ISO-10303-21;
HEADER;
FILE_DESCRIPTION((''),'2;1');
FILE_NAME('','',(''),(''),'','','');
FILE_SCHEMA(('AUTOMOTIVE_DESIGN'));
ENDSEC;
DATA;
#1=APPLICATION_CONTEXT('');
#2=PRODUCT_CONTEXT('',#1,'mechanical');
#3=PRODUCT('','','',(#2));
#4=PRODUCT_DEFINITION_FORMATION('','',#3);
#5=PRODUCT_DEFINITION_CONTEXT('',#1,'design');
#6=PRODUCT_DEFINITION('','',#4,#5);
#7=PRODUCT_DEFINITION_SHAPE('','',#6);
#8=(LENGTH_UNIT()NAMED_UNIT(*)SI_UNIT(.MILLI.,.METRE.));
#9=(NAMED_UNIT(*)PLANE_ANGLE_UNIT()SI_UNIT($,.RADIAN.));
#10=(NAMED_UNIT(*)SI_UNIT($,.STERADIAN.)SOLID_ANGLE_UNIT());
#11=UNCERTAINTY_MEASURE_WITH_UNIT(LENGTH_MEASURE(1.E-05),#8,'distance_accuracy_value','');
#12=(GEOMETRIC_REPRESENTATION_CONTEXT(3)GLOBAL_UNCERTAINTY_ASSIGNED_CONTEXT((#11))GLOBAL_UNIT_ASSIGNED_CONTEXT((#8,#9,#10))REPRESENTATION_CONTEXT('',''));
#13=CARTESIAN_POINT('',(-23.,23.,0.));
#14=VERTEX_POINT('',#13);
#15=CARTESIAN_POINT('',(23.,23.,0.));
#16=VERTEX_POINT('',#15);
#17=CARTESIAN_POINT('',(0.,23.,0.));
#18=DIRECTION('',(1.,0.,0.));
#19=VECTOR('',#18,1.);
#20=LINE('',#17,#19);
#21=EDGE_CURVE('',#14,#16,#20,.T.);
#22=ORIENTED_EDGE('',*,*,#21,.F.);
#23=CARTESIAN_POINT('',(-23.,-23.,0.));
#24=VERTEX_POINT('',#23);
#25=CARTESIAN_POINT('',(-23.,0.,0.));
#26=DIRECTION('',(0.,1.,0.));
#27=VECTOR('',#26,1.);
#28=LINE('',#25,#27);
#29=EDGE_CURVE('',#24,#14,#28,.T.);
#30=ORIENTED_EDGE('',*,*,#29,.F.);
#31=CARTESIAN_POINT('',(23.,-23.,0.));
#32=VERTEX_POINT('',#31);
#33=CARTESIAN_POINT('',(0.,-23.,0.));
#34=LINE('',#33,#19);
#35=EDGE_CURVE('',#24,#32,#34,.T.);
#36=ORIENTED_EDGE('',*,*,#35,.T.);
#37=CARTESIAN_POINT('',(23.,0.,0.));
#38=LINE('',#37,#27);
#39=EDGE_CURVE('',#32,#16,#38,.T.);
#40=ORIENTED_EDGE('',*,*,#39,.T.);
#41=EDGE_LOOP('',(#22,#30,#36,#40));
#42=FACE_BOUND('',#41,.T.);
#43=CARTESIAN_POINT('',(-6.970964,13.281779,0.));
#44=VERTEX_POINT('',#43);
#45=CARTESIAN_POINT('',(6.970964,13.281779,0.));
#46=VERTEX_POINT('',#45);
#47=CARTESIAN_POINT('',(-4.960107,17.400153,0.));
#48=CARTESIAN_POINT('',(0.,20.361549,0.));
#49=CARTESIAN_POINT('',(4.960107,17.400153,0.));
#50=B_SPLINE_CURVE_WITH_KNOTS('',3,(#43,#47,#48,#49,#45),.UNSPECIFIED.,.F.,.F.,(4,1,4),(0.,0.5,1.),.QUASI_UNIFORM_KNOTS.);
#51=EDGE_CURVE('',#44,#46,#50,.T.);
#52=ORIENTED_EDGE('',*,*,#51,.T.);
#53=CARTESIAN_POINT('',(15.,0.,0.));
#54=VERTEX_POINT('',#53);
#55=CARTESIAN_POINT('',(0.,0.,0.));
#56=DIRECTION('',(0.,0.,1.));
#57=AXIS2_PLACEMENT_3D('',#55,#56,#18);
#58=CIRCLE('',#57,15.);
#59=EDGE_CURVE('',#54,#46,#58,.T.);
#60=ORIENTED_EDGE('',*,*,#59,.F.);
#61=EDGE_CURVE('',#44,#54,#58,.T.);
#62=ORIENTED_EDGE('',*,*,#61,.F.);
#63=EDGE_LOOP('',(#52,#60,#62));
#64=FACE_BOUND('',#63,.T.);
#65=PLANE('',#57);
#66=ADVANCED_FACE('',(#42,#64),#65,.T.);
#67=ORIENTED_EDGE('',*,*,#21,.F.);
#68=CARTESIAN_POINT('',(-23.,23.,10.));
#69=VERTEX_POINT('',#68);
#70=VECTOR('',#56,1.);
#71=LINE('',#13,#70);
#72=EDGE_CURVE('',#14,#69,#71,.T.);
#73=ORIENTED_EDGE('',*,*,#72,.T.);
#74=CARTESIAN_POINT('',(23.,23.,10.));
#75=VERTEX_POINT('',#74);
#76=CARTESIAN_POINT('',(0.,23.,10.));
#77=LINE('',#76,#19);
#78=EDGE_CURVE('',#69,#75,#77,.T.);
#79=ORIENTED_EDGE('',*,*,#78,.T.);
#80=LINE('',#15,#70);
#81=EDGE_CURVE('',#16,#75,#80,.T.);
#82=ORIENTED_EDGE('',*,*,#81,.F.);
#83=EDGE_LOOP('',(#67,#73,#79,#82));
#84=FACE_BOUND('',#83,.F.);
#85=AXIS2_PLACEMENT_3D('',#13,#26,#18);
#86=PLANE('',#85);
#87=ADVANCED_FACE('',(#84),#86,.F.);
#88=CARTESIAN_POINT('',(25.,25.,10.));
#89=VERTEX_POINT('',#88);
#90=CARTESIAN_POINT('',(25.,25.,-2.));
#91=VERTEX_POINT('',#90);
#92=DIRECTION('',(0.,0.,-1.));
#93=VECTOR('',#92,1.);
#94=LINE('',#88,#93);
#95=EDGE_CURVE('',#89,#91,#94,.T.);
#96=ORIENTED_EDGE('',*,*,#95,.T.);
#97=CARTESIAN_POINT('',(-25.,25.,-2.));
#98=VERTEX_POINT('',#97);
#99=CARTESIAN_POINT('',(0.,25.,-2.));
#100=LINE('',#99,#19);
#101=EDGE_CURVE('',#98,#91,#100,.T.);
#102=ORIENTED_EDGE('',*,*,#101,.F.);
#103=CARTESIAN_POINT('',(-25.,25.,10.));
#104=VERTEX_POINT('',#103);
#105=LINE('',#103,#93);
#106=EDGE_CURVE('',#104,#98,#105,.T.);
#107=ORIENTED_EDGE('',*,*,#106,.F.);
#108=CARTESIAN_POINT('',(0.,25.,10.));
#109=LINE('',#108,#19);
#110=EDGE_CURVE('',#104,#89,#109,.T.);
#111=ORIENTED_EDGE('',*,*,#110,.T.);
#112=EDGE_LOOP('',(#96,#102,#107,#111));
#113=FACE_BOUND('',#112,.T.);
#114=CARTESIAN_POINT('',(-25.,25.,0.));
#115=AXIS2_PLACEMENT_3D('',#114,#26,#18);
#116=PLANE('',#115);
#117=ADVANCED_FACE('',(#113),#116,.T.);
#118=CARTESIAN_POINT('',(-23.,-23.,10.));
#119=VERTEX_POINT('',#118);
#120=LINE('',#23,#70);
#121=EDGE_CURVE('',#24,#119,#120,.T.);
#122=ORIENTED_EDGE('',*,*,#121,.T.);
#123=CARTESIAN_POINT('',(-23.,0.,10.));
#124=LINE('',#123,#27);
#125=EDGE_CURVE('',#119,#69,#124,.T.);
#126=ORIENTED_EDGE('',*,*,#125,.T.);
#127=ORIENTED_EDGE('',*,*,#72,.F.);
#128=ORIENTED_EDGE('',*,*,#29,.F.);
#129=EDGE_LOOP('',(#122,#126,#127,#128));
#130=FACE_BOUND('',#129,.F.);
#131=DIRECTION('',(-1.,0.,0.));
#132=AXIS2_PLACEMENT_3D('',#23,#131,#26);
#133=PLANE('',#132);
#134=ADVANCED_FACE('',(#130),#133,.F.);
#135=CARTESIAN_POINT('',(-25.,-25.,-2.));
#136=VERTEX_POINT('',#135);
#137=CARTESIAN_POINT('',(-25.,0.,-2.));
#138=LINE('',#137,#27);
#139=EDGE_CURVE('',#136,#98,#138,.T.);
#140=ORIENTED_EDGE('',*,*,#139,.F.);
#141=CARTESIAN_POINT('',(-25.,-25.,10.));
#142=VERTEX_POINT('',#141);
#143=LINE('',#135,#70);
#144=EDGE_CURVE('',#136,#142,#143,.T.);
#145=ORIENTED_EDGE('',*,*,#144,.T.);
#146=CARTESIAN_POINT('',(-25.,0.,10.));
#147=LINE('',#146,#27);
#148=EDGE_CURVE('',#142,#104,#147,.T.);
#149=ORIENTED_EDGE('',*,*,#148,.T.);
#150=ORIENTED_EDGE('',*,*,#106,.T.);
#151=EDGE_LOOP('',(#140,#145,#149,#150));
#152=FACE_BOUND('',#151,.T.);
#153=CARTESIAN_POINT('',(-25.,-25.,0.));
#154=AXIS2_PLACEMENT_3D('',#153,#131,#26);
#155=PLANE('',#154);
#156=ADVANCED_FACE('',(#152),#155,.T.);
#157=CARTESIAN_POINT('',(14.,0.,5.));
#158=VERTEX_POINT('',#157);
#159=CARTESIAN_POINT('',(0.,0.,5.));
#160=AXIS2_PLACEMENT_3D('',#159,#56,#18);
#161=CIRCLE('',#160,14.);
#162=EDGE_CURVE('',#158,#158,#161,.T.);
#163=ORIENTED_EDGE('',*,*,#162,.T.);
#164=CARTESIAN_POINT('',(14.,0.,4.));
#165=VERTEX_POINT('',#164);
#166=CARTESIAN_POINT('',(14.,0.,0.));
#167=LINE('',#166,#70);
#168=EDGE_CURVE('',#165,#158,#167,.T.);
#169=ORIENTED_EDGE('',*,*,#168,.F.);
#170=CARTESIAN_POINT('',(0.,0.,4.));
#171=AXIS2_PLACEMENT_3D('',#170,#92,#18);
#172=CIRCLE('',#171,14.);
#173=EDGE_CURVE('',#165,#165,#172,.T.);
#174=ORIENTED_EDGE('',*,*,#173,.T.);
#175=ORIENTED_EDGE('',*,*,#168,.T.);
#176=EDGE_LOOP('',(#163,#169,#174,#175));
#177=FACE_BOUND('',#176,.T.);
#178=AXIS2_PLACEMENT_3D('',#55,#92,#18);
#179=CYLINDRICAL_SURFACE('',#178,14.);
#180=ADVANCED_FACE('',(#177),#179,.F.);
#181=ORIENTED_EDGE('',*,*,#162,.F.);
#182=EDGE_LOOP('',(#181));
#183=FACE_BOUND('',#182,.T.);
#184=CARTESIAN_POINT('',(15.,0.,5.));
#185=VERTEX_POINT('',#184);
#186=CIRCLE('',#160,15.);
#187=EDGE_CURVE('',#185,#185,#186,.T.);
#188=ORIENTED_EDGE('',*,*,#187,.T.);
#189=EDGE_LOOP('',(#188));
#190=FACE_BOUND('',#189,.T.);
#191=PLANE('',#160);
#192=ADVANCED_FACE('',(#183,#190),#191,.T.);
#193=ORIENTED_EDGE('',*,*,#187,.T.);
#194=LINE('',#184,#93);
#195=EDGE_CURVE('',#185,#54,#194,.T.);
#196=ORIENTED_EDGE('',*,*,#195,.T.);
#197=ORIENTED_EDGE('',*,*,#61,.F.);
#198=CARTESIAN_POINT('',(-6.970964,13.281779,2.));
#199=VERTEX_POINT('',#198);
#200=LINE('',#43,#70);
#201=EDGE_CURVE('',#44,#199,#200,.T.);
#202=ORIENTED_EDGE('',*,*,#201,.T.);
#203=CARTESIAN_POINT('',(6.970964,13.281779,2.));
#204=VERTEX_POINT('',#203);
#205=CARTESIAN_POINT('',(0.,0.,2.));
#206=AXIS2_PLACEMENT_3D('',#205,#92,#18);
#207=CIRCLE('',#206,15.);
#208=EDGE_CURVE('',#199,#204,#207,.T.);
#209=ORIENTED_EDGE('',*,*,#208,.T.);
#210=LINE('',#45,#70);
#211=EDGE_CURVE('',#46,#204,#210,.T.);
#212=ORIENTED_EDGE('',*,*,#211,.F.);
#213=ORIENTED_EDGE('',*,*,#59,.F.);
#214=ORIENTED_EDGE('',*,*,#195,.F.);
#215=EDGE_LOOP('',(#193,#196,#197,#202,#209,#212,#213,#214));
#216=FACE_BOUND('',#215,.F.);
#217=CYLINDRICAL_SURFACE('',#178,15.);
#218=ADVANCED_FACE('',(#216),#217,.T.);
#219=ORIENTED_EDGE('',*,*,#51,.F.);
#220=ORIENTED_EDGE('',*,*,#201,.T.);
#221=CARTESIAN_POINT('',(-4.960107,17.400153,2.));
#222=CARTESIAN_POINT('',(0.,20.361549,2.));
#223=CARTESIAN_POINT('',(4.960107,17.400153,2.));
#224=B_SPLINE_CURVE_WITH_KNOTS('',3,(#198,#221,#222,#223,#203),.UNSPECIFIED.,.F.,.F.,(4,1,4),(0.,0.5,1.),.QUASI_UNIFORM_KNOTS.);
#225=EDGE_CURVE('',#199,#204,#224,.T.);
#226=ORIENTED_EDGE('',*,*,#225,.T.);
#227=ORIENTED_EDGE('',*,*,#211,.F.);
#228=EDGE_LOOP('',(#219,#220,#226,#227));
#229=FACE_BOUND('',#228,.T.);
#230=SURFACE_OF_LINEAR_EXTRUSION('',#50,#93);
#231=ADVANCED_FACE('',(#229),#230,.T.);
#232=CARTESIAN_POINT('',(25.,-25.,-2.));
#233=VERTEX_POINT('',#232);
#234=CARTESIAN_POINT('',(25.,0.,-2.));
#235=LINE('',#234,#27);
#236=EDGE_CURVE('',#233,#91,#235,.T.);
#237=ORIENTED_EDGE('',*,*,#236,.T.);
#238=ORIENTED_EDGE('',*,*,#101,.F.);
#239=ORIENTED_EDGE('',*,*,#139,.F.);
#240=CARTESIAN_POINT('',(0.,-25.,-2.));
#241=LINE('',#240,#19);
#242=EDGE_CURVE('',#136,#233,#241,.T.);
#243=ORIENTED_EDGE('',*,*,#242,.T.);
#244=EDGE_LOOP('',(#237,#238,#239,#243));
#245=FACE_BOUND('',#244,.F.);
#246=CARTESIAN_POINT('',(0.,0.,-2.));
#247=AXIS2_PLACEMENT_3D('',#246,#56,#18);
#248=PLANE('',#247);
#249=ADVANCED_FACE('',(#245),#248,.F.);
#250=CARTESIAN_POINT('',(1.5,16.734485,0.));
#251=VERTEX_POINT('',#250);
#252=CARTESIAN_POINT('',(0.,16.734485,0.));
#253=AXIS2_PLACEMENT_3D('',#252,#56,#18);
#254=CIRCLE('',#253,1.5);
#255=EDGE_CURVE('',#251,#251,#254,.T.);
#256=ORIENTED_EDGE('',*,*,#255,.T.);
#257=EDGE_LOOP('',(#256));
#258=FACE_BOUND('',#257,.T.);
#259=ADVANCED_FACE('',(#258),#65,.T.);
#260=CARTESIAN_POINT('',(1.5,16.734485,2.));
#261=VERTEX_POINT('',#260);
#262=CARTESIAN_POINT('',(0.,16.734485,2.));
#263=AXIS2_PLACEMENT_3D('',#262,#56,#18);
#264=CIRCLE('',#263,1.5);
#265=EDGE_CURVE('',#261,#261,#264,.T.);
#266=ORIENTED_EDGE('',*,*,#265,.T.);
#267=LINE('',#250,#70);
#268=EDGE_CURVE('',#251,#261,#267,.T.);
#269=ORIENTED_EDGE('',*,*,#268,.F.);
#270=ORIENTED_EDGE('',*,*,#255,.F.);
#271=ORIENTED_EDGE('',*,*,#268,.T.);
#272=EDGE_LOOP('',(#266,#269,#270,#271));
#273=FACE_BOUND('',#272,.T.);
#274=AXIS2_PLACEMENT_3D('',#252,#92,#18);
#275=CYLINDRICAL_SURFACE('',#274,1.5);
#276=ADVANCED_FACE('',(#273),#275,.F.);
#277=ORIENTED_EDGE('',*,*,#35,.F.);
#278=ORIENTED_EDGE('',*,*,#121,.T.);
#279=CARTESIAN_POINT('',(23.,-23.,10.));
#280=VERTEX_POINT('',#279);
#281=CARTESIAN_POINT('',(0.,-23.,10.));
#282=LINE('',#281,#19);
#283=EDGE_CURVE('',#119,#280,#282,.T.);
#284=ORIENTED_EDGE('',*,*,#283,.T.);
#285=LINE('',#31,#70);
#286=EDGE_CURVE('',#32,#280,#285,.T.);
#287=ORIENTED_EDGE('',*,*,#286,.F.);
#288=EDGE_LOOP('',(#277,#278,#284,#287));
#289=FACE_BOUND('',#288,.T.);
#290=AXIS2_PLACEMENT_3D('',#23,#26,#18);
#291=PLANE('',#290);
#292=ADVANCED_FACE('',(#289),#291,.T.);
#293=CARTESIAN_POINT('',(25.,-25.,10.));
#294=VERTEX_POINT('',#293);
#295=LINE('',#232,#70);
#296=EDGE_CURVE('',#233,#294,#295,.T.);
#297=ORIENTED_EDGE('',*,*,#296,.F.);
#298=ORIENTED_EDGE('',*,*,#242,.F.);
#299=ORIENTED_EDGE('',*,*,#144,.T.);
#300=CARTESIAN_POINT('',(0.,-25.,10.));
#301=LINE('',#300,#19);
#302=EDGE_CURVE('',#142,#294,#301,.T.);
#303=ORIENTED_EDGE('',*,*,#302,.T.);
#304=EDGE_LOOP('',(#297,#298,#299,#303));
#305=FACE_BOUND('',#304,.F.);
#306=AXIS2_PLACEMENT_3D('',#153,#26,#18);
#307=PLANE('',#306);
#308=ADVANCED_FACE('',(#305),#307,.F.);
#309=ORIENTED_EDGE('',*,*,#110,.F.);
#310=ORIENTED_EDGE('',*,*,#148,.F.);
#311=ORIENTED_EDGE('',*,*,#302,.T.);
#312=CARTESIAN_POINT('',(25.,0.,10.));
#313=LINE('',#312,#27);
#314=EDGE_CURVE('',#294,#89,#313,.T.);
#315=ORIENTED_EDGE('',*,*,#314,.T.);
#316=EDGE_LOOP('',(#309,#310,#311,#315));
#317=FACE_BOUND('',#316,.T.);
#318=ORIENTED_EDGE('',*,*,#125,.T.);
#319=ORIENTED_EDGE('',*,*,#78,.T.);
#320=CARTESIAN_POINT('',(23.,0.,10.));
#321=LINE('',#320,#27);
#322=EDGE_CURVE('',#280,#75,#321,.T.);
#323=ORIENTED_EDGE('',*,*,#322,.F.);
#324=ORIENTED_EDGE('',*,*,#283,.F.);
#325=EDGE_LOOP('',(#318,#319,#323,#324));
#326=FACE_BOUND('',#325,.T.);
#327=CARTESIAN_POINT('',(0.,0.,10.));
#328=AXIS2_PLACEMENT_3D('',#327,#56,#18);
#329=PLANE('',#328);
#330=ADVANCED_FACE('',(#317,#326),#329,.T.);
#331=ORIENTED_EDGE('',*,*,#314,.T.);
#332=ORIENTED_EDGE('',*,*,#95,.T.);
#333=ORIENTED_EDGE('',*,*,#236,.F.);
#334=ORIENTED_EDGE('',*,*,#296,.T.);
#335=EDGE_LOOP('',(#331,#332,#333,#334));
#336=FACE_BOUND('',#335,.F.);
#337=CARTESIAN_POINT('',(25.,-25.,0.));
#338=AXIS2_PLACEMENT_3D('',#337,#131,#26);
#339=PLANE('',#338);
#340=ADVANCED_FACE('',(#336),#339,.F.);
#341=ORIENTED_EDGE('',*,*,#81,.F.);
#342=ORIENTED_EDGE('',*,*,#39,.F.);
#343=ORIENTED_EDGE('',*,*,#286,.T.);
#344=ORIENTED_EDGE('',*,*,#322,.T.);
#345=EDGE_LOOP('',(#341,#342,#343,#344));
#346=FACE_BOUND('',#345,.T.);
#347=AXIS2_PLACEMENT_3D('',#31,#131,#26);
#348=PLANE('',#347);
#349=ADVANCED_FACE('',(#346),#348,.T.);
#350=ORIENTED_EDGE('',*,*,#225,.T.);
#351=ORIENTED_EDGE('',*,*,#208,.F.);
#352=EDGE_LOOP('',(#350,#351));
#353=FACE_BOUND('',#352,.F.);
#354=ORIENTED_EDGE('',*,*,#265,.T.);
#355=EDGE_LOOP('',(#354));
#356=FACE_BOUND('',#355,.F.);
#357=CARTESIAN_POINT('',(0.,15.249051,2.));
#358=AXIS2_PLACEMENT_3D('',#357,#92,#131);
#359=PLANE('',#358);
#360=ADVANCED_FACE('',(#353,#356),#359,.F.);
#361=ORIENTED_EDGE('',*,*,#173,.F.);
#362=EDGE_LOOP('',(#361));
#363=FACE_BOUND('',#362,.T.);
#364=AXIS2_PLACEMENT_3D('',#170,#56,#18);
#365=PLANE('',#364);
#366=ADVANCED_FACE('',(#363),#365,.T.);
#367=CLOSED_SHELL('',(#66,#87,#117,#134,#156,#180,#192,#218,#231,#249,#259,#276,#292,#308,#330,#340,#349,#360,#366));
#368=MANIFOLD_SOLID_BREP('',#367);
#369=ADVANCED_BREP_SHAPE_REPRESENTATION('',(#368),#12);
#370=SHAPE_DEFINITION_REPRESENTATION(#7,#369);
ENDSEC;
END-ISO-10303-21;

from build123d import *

# Parameters (mm, degrees)
SKETCH_R      = 15
PAD_DEPTH     = 4
SKETCH001_R   = 1.5
PAD001_DEPTH  = 2
SKETCH002_R   = 15
SKETCH002_R_2 = 14
PAD002_DEPTH  = 5
SKETCH003_W   = 50
SKETCH003_H   = 50
PAD003_DEPTH  = 2
SKETCH004_W   = 50
SKETCH004_H   = 50
SKETCH004_W_2 = 46
SKETCH004_H_2 = 46
PAD004_DEPTH  = 10


with BuildPart() as part:
    # Sketch → Pad (new body)
    with BuildSketch(Plane.XY):
        Circle(SKETCH_R)
    extrude(amount=PAD_DEPTH)

    # Sketch001 → Pad001 (join)
    with BuildSketch(Plane.XY):
        with BuildLine():
            add(Edge.make_bspline(
                [(-6.970964, 13.281779), (-4.960107, 17.400153), (0, 20.361549), (4.960107, 17.400153), (6.970964, 13.281779)],
                knots=[0, 0, 0, 0, 0.5, 1, 1, 1, 1], degree=3))
            Line((6.970964, 13.281779), (-6.970964, 13.281779))
        make_face()
        with Locations((0, 16.734485)):
            Circle(SKETCH001_R, mode=Mode.SUBTRACT)
    extrude(amount=PAD001_DEPTH)

    # Sketch002 → Pad002 (join)
    with BuildSketch(Plane.XY):
        Circle(SKETCH002_R)
        Circle(SKETCH002_R_2, mode=Mode.SUBTRACT)
    extrude(amount=PAD002_DEPTH)

    # Sketch003 → Pad003 (join)
    with BuildSketch(Plane.XY):
        Rectangle(SKETCH003_W, SKETCH003_H)
    extrude(amount=-PAD003_DEPTH)

    # Sketch004 → Pad004 (join)
    with BuildSketch(Plane.XY):
        Rectangle(SKETCH004_W, SKETCH004_H)
        Rectangle(SKETCH004_W_2, SKETCH004_H_2, mode=Mode.SUBTRACT)
    extrude(amount=PAD004_DEPTH)


solid = part.part
